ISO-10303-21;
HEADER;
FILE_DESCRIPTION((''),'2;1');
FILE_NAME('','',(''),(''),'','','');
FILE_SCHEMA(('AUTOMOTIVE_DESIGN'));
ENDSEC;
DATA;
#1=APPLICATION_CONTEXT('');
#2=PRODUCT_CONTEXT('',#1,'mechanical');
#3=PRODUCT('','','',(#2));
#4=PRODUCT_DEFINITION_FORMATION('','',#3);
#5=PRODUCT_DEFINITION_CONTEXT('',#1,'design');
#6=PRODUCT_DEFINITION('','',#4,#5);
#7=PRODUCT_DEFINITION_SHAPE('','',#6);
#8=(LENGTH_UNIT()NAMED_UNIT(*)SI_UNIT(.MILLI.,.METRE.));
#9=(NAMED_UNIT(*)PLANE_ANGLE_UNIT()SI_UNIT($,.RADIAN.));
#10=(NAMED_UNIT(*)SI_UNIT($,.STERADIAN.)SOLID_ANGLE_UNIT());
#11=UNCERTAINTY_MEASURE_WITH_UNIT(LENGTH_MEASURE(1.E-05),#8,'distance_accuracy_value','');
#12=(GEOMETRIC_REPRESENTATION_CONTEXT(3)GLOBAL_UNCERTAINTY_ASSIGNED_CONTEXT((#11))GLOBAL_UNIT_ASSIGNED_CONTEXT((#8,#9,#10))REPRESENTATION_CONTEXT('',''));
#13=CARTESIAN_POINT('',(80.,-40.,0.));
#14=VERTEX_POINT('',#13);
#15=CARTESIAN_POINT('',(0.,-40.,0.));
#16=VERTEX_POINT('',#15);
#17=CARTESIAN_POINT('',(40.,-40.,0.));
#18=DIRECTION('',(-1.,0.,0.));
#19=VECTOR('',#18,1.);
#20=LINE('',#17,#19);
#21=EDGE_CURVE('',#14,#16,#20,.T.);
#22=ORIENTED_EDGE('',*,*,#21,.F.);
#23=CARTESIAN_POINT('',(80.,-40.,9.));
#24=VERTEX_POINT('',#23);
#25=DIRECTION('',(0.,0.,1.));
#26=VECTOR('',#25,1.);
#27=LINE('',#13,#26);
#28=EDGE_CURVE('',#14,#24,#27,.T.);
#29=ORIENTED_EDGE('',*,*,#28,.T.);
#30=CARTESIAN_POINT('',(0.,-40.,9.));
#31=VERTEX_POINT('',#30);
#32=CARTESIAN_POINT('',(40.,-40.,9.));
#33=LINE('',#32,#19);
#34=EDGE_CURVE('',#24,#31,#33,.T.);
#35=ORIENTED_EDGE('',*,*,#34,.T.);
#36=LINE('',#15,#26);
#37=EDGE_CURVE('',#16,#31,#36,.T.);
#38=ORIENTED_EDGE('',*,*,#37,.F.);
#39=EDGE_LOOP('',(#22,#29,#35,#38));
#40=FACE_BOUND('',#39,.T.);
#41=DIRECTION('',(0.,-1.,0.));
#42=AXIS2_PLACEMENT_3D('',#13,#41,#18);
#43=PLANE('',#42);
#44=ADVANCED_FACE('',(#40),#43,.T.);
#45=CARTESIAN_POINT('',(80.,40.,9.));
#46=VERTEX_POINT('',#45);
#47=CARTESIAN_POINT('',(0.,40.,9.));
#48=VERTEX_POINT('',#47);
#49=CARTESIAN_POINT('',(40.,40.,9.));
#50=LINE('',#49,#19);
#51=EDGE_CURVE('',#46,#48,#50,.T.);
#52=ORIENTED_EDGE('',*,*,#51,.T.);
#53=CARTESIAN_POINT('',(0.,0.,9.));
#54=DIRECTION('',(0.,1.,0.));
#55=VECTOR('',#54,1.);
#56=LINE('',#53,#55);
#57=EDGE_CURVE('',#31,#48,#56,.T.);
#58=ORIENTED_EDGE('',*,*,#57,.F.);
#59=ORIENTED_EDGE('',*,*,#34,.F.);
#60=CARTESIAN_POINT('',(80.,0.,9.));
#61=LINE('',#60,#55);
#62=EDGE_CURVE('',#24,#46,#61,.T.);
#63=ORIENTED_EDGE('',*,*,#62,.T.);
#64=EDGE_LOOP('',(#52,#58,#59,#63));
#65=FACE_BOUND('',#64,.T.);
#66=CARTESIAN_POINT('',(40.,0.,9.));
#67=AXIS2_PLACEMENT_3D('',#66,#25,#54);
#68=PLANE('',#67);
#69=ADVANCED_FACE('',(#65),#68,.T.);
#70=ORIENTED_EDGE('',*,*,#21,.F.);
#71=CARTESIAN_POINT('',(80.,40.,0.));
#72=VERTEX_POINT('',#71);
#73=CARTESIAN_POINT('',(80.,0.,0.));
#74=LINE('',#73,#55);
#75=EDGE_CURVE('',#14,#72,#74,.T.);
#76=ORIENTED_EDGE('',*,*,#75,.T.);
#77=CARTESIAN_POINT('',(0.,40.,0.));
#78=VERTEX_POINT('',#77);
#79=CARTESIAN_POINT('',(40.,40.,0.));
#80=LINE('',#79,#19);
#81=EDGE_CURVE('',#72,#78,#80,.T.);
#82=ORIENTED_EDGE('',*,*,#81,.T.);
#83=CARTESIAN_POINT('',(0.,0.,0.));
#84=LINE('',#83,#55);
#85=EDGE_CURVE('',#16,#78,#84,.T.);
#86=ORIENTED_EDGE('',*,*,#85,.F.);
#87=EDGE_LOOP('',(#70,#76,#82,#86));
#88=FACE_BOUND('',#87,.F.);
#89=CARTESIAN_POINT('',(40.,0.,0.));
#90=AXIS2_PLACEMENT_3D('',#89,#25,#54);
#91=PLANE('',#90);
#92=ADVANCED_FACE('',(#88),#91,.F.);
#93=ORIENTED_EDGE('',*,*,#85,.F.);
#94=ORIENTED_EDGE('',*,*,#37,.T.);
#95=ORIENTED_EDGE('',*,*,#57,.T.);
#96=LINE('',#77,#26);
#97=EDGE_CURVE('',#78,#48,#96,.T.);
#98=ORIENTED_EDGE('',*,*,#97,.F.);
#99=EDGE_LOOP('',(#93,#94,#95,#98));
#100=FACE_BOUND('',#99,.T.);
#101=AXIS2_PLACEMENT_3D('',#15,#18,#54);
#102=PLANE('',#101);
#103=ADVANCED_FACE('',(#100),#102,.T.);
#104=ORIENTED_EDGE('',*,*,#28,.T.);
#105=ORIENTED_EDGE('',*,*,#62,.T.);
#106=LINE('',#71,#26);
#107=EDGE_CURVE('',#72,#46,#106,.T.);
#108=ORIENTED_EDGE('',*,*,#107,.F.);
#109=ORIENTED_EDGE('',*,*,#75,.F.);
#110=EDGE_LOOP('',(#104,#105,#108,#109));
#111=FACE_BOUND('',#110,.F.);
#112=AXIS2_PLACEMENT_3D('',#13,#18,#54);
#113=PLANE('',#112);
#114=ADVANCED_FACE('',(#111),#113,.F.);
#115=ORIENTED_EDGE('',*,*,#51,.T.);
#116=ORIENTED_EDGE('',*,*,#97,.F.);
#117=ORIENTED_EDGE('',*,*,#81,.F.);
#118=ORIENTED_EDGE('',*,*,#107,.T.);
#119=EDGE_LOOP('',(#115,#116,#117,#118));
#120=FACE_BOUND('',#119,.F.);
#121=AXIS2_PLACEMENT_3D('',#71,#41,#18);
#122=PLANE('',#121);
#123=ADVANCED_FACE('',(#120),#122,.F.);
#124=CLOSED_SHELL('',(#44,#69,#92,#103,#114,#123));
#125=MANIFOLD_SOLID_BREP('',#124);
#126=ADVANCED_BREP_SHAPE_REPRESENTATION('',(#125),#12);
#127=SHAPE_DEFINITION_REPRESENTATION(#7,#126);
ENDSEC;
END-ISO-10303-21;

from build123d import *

# Parameters (mm, degrees)
REFINELINEAREXTRUDE_W = 80
REFINELINEAREXTRUDE_H = 80
LINEAREXTRUDE_DEPTH   = 9


with BuildPart() as part:
    # RefineLinearExtrude → LinearExtrude (new body)
    with BuildSketch(Plane(origin=(40, 0, 0), x_dir=(0, 1, 0), z_dir=(0, 0, 1))):
        Rectangle(REFINELINEAREXTRUDE_W, REFINELINEAREXTRUDE_H)
    extrude(amount=LINEAREXTRUDE_DEPTH)


solid = part.part
